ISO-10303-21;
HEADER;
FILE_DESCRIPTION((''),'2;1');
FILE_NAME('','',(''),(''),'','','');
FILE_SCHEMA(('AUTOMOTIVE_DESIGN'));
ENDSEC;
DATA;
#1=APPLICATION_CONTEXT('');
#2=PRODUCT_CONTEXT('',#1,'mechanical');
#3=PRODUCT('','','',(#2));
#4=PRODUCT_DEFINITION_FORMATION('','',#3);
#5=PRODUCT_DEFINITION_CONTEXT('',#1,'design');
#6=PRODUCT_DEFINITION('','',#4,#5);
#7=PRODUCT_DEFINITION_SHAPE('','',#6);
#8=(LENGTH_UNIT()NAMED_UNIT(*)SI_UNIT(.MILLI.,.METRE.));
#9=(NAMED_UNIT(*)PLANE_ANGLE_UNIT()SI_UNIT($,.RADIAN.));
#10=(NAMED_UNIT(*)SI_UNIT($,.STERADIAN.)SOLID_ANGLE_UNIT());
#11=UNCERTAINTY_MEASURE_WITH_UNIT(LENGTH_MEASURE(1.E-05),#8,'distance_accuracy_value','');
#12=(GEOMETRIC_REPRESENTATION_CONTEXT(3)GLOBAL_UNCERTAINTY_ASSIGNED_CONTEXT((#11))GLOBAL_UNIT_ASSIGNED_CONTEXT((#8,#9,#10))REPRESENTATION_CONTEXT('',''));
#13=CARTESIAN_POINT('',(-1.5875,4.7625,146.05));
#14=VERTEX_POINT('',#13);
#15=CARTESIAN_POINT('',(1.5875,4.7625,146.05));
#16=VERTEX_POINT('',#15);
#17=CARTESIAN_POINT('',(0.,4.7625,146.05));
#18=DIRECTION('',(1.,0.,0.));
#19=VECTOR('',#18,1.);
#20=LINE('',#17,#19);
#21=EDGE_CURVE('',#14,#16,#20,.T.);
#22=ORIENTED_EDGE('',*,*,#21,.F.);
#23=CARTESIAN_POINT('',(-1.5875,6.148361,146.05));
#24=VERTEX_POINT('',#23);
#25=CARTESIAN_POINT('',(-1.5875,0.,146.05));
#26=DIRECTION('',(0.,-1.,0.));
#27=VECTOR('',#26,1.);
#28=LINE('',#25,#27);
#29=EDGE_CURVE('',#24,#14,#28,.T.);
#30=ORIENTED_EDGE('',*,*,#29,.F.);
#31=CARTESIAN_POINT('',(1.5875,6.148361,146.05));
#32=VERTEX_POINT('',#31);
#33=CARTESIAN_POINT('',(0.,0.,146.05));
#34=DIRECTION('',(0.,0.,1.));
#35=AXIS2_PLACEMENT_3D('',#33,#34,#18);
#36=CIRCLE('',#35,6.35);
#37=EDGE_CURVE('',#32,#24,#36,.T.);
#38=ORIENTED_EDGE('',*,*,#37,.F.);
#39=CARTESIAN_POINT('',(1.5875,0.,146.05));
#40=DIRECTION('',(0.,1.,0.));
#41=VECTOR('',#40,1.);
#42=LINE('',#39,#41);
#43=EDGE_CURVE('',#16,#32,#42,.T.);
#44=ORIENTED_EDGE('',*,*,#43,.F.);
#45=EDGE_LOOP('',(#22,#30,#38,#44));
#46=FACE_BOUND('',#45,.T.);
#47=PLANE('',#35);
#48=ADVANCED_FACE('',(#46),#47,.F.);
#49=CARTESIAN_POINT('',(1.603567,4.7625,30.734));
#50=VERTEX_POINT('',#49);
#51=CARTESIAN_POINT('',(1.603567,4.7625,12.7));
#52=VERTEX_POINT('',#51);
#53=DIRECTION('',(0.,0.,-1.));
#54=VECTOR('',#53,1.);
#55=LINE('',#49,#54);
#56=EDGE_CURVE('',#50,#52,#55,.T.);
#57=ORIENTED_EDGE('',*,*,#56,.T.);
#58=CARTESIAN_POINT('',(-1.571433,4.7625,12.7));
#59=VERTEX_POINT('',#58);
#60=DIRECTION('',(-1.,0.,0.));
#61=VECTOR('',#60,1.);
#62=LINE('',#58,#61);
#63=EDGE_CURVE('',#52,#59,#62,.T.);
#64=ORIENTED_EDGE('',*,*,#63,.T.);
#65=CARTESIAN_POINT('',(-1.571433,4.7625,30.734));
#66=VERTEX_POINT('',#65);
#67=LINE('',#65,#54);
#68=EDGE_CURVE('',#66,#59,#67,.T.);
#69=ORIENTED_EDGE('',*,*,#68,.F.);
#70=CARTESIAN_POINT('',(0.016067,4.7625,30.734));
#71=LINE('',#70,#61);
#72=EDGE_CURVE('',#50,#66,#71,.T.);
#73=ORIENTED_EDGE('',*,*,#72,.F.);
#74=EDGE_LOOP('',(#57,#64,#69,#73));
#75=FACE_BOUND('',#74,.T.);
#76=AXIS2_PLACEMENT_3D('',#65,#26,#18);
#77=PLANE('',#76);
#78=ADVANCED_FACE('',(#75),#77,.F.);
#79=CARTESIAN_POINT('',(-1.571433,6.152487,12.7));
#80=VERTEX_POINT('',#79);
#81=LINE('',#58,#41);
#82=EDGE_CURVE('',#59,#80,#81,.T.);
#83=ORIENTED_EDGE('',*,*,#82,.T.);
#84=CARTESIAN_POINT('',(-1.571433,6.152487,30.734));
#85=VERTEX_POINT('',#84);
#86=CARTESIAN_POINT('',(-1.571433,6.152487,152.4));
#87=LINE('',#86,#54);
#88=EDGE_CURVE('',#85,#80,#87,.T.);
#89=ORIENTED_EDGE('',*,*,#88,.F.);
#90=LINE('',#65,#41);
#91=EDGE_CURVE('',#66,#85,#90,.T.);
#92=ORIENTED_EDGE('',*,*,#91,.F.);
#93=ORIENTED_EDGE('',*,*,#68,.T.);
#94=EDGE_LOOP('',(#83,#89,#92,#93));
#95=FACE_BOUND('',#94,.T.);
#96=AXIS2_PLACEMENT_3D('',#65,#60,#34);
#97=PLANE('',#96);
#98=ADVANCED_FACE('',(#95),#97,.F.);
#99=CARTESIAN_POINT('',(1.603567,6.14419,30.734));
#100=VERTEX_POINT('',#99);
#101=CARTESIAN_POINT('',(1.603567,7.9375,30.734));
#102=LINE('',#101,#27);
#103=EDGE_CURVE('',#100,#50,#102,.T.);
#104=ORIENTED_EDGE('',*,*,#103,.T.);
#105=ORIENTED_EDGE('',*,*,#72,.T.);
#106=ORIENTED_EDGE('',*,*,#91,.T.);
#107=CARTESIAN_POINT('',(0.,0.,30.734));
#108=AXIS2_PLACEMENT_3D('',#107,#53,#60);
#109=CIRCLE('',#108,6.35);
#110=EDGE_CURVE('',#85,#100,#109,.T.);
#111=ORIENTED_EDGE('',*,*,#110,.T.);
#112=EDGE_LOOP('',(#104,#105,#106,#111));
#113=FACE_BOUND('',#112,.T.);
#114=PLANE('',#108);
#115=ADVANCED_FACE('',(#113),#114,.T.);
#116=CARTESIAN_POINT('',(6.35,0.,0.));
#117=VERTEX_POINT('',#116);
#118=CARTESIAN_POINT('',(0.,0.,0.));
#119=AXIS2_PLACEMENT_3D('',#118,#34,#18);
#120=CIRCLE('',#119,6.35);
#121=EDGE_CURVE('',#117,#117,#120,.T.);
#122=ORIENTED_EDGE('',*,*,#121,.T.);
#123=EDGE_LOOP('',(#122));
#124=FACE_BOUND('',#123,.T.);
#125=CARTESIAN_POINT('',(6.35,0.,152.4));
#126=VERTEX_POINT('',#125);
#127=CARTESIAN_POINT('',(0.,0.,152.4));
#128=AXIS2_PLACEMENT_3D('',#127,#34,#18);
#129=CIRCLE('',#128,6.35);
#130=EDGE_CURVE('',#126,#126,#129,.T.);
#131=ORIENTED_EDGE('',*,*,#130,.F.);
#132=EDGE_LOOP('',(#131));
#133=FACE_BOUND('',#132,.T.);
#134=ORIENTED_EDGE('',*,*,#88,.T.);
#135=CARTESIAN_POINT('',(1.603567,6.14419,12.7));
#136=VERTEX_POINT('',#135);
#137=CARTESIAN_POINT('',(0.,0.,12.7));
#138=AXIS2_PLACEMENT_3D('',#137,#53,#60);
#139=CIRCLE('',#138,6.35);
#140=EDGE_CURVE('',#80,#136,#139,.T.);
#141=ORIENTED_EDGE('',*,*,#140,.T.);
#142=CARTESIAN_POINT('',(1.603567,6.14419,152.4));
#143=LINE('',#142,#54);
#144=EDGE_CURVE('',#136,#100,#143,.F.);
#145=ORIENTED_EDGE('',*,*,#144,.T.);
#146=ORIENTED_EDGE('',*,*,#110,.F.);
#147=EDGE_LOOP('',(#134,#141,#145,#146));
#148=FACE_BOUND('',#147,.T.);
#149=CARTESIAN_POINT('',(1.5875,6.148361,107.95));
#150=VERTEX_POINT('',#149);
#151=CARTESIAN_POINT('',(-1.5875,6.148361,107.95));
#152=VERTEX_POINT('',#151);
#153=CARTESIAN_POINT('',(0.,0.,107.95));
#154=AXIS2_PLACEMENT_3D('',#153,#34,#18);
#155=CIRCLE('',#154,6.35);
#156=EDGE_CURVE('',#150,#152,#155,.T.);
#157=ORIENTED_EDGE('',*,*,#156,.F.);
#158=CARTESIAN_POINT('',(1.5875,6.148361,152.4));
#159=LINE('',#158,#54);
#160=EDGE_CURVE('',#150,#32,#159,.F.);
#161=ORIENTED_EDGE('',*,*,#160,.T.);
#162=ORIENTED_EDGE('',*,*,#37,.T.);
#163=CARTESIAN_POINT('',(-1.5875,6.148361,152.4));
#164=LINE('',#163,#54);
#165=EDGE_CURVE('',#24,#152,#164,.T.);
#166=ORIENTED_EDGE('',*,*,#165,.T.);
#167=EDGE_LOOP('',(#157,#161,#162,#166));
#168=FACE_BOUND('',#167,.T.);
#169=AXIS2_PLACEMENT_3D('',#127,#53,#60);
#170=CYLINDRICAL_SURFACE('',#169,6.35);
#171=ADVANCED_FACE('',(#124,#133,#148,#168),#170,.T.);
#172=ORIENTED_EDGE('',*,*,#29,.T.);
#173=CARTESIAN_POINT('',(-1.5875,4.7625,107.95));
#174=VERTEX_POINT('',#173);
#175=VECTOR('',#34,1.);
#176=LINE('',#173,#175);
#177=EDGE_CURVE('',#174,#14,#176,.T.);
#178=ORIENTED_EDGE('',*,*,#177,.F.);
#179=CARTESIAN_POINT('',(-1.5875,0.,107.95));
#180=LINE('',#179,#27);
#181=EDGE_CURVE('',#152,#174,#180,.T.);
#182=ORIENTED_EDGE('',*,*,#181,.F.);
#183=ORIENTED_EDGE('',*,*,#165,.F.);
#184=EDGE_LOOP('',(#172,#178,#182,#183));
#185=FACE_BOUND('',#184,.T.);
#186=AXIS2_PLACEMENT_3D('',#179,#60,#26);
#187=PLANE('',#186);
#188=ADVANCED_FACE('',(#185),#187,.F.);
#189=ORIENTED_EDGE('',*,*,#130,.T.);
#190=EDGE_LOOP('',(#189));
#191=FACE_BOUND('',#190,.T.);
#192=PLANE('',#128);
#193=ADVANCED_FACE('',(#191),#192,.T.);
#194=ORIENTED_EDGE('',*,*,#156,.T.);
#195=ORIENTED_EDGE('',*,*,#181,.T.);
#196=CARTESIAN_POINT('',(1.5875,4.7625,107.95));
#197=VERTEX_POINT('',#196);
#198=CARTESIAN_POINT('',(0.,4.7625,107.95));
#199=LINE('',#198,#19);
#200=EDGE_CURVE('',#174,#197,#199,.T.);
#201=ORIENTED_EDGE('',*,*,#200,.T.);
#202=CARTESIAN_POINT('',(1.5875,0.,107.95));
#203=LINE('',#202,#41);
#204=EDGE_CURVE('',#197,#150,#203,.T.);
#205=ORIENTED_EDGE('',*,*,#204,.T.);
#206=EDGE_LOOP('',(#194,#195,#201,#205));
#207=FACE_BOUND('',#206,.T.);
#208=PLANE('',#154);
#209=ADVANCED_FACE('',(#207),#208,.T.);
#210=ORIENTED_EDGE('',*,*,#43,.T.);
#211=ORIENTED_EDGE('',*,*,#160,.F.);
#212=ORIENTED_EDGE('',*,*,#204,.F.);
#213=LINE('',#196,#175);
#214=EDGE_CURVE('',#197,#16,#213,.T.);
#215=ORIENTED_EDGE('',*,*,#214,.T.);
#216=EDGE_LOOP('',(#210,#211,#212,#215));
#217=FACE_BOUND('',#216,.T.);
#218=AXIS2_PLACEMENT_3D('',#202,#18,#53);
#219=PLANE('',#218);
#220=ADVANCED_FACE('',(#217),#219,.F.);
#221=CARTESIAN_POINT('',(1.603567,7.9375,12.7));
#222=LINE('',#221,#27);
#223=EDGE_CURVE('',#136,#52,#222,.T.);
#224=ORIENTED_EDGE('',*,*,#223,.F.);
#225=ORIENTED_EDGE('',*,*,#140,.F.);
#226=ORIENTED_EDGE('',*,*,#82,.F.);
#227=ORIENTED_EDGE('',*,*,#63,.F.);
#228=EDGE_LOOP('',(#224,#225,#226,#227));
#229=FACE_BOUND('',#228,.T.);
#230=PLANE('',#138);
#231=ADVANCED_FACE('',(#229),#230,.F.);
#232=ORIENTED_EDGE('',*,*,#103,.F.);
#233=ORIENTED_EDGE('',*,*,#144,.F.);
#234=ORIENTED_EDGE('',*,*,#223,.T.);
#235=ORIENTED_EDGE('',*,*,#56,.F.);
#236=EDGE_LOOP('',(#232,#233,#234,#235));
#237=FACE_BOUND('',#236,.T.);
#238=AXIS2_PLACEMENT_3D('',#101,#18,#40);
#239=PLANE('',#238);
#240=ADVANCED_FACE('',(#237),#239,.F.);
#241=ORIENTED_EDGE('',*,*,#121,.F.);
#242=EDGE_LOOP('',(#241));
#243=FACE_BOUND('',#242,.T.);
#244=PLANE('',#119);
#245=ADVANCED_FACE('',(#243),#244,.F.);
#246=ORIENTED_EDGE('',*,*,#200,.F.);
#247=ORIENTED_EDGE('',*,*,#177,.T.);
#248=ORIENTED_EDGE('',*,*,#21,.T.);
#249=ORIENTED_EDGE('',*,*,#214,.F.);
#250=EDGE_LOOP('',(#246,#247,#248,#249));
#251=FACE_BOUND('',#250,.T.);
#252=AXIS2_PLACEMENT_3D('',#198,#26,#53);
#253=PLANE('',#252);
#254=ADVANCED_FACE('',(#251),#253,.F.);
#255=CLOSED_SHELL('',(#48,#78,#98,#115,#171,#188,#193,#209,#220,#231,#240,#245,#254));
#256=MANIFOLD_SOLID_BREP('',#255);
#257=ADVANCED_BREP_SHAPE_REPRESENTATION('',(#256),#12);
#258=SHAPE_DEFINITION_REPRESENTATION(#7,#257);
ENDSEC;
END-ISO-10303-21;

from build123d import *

# Parameters (mm, degrees)
SKETCH1_R           = 6.35
BOSS_EXTRUDE1_DEPTH = 152.4
CUT_EXTRUDE1_DEPTH  = 18.034
CUT_EXTRUDE2_DEPTH  = 38.1


with BuildPart() as part:
    # Sketch1 → Boss-Extrude1 (new body)
    with BuildSketch(Plane.XY):
        with Locations(Location((0, 0, 0), (0, 0, 180))):
            Circle(SKETCH1_R)
    extrude(amount=BOSS_EXTRUDE1_DEPTH)

    # Sketch2 → Cut-Extrude1 (cut)
    with BuildSketch(Plane(origin=(0, 0, 12.7), x_dir=(-1, 0, 0), z_dir=(0, 0, -1))):
        Polygon((1.571433325, 4.7625), (-0.016066675, 4.7625), (-1.603566675, 4.7625), (-1.603566675, 7.9375), (1.571433325, 7.9375), align=None)
    extrude(amount=-CUT_EXTRUDE1_DEPTH, mode=Mode.SUBTRACT)

    # Sketch3 → Cut-Extrude2 (cut)
    with BuildSketch(Plane.XY.offset(146.05)):
        Polygon((0, 4.7625), (1.5875, 4.7625), (1.5875, 7.9375), (-1.5875, 7.9375), (-1.5875, 4.7625), align=None)
    extrude(amount=-CUT_EXTRUDE2_DEPTH, mode=Mode.SUBTRACT)


solid = part.part
